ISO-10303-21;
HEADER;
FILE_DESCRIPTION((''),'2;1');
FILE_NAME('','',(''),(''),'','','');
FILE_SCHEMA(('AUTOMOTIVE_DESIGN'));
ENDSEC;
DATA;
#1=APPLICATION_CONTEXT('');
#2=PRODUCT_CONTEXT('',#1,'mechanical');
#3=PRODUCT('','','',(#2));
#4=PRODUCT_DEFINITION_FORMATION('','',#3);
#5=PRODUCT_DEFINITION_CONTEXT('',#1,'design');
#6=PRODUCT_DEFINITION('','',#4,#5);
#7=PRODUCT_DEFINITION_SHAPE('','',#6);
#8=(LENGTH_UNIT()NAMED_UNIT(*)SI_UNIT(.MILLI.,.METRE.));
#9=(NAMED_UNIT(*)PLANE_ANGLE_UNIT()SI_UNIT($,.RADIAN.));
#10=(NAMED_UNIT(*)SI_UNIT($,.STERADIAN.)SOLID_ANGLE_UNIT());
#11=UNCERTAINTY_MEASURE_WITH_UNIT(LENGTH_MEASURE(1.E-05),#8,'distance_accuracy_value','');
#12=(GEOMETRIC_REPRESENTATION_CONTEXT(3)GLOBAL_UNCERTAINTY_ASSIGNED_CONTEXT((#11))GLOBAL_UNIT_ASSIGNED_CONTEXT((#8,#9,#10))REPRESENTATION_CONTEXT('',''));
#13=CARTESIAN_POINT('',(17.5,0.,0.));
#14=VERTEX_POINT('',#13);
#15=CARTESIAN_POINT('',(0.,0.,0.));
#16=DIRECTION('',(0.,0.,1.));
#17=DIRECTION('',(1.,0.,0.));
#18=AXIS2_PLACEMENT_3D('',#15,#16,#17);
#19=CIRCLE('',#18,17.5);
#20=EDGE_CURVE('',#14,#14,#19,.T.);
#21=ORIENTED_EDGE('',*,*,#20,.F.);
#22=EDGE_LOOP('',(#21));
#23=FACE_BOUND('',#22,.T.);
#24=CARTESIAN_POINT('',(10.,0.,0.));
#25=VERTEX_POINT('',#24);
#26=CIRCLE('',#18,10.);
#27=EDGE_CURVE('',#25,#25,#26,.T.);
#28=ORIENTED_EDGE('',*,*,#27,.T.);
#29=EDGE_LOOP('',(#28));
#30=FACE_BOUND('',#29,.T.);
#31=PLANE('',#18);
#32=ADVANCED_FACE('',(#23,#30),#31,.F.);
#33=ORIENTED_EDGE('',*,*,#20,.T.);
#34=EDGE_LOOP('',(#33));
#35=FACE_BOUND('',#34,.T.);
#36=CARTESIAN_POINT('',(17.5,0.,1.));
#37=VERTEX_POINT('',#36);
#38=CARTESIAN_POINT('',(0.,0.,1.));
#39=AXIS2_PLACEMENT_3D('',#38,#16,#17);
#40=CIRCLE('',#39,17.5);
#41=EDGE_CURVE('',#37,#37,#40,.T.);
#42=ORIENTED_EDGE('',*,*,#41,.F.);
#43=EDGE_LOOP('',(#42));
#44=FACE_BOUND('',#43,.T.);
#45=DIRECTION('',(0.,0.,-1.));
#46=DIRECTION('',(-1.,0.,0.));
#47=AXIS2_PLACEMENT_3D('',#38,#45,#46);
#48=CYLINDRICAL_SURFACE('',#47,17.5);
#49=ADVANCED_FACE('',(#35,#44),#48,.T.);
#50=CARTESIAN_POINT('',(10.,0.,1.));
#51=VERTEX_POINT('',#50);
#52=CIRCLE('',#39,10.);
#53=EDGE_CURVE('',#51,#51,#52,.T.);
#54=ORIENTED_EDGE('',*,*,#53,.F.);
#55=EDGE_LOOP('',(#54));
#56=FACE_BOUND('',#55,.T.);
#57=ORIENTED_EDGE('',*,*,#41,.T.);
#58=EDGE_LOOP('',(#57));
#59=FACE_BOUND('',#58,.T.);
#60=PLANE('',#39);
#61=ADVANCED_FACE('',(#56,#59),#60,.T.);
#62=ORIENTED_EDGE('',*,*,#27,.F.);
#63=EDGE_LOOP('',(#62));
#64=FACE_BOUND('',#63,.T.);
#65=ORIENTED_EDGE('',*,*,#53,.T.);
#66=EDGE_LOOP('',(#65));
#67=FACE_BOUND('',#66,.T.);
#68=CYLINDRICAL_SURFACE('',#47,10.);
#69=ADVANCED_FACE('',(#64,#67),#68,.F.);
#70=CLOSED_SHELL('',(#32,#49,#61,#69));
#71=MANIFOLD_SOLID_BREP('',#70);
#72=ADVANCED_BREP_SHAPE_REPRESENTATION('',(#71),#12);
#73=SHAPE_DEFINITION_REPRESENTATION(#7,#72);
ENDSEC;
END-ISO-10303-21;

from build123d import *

# Parameters (mm, degrees)
SKETCH1_R           = 17.5
SKETCH1_R_2         = 10
BOSS_EXTRUDE1_DEPTH = 1


with BuildPart() as part:
    # Sketch1 → Boss-Extrude1 (new body)
    with BuildSketch(Plane.XY):
        Circle(SKETCH1_R)
        Circle(SKETCH1_R_2, mode=Mode.SUBTRACT)
    extrude(amount=BOSS_EXTRUDE1_DEPTH)


solid = part.part
